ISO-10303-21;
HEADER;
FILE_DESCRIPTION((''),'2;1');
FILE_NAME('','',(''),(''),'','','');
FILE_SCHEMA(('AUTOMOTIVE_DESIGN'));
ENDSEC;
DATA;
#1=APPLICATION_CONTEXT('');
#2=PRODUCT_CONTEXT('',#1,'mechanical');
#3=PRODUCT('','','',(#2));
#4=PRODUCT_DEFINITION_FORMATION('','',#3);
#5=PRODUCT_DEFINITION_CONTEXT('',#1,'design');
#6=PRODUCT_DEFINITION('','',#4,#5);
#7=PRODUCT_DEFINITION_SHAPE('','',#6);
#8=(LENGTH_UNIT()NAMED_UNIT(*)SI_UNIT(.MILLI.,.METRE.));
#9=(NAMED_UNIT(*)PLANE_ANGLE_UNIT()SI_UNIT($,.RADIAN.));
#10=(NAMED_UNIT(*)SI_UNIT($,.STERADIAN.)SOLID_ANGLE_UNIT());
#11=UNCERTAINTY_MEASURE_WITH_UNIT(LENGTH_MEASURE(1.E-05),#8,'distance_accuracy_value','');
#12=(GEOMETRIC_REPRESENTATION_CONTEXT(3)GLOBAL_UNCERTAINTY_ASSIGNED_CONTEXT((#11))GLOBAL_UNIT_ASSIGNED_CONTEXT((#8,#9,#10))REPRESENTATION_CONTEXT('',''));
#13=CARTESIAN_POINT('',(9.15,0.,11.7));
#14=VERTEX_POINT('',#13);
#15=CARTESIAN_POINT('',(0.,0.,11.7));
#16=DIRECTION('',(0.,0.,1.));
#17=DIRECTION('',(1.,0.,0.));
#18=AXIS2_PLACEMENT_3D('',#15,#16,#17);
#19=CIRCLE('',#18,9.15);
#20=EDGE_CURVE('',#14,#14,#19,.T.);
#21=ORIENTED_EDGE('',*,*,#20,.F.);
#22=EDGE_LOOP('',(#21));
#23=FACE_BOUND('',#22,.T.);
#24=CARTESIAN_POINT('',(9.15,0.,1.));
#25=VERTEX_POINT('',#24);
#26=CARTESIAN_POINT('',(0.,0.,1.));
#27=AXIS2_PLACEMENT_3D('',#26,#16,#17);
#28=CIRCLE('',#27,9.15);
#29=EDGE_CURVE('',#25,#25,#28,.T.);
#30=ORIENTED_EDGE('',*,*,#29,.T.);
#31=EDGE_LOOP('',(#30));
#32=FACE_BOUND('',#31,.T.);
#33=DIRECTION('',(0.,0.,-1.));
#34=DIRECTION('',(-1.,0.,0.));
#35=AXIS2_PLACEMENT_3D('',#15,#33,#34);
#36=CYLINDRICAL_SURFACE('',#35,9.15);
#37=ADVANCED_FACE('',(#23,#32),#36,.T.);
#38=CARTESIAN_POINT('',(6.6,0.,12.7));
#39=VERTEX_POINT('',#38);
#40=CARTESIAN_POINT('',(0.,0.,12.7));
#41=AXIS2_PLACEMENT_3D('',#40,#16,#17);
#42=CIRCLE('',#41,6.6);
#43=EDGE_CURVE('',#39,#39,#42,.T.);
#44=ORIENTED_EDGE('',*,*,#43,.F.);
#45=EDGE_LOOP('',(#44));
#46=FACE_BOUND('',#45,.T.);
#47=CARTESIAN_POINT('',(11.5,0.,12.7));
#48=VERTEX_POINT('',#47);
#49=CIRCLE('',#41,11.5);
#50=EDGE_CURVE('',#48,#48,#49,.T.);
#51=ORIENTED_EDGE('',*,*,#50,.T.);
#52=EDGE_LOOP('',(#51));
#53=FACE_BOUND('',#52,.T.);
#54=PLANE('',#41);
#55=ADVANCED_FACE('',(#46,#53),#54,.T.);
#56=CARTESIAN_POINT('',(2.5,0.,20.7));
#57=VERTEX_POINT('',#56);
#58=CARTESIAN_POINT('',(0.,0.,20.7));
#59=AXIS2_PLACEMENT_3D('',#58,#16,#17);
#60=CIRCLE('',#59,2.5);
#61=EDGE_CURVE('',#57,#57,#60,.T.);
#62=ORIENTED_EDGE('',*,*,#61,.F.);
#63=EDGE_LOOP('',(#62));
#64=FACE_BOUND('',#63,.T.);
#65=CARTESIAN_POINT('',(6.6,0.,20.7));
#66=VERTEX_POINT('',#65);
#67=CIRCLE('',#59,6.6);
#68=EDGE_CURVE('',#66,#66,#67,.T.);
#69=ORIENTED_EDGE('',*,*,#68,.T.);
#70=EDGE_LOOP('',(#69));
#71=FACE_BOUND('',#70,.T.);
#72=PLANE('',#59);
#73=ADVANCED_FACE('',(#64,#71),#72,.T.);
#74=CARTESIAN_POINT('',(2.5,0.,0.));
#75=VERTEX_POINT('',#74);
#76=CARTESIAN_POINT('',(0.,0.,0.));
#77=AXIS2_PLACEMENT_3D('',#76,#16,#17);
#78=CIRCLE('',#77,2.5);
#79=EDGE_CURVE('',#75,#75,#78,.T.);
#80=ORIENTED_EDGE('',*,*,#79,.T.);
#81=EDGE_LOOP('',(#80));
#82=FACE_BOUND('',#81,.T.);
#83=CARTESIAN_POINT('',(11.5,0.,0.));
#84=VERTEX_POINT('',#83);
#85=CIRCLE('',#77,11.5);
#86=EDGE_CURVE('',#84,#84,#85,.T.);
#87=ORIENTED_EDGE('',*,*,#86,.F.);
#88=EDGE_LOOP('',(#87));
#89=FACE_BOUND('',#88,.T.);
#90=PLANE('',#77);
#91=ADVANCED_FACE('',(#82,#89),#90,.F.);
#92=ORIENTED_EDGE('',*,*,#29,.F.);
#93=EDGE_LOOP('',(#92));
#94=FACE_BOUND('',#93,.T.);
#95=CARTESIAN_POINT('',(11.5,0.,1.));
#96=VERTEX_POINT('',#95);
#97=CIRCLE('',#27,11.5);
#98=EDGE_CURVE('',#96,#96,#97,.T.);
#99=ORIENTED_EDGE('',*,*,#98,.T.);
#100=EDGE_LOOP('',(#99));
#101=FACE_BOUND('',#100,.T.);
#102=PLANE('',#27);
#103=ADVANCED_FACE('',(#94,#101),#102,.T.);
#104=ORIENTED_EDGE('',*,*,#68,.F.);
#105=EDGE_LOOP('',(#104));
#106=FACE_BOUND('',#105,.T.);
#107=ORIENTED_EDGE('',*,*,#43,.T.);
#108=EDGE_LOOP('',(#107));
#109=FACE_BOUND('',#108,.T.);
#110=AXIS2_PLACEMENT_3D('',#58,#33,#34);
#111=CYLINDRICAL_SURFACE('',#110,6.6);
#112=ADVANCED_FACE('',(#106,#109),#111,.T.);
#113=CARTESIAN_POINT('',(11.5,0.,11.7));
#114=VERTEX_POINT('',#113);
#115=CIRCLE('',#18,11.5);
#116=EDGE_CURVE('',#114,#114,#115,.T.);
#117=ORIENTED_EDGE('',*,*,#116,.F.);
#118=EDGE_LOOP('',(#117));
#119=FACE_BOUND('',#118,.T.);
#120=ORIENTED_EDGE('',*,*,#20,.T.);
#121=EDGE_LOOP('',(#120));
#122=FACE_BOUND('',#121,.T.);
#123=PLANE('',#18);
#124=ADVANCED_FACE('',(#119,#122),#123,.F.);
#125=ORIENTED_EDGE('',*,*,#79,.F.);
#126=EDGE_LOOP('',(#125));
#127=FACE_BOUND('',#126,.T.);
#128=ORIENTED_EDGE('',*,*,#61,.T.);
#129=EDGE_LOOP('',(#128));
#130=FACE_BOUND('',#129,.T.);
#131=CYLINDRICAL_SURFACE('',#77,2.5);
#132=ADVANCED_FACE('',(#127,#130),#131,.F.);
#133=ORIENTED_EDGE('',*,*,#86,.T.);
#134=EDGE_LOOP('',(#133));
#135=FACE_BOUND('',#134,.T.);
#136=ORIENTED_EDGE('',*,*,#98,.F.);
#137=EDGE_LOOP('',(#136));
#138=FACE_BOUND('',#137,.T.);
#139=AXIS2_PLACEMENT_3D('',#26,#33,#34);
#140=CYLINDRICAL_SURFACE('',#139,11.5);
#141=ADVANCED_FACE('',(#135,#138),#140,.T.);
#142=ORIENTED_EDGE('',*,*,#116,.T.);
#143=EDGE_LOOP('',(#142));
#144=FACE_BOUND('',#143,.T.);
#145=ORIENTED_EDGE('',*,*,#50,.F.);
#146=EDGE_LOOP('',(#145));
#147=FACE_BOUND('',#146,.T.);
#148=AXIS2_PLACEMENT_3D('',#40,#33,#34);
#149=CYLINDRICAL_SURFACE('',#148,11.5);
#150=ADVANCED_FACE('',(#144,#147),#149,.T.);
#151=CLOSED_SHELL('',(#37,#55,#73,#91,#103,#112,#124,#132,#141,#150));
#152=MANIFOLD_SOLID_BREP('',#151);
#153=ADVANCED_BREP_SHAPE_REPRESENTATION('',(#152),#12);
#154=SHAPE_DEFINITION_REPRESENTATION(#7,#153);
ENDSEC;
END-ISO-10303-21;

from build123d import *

# Parameters (mm, degrees)
SKETCH_1_R          = 11.5
EXTRUDE_1_DEPTH     = 1
SKETCH_2_R          = 9.15
EXTRUDE_2_DEPTH     = 10.7
SKETCH_3_R          = 11.5
EXTRUDE_3_DEPTH     = 1
SKETCH_4_R          = 6.6
EXTRUDE_4_DEPTH     = 8
SKETCH_5_R          = 2.5
CUT_EXTRUDE_1_DEPTH = 27.324703227


with BuildPart() as part:
    # Эскиз1 → Бобышка-Вытянуть1 (new body)
    with BuildSketch(Plane.XY):
        Circle(SKETCH_1_R)
    extrude(amount=EXTRUDE_1_DEPTH)

    # Эскиз2 → Бобышка-Вытянуть2 (add)
    with BuildSketch(Plane.XY.offset(1)):
        Circle(SKETCH_2_R)
    extrude(amount=EXTRUDE_2_DEPTH)

    # Эскиз3 → Бобышка-Вытянуть3 (add)
    with BuildSketch(Plane.XY.offset(11.7)):
        Circle(SKETCH_3_R)
    extrude(amount=EXTRUDE_3_DEPTH)

    # Эскиз4 → Бобышка-Вытянуть4 (add)
    with BuildSketch(Plane.XY.offset(12.7)):
        Circle(SKETCH_4_R)
    extrude(amount=EXTRUDE_4_DEPTH)

    # Эскиз5 → Вырез-Вытянуть1 (cut, through all)
    with BuildSketch(Plane.XY.offset(20.7)):
        Circle(SKETCH_5_R)
    extrude(amount=-CUT_EXTRUDE_1_DEPTH, mode=Mode.SUBTRACT)


solid = part.part
